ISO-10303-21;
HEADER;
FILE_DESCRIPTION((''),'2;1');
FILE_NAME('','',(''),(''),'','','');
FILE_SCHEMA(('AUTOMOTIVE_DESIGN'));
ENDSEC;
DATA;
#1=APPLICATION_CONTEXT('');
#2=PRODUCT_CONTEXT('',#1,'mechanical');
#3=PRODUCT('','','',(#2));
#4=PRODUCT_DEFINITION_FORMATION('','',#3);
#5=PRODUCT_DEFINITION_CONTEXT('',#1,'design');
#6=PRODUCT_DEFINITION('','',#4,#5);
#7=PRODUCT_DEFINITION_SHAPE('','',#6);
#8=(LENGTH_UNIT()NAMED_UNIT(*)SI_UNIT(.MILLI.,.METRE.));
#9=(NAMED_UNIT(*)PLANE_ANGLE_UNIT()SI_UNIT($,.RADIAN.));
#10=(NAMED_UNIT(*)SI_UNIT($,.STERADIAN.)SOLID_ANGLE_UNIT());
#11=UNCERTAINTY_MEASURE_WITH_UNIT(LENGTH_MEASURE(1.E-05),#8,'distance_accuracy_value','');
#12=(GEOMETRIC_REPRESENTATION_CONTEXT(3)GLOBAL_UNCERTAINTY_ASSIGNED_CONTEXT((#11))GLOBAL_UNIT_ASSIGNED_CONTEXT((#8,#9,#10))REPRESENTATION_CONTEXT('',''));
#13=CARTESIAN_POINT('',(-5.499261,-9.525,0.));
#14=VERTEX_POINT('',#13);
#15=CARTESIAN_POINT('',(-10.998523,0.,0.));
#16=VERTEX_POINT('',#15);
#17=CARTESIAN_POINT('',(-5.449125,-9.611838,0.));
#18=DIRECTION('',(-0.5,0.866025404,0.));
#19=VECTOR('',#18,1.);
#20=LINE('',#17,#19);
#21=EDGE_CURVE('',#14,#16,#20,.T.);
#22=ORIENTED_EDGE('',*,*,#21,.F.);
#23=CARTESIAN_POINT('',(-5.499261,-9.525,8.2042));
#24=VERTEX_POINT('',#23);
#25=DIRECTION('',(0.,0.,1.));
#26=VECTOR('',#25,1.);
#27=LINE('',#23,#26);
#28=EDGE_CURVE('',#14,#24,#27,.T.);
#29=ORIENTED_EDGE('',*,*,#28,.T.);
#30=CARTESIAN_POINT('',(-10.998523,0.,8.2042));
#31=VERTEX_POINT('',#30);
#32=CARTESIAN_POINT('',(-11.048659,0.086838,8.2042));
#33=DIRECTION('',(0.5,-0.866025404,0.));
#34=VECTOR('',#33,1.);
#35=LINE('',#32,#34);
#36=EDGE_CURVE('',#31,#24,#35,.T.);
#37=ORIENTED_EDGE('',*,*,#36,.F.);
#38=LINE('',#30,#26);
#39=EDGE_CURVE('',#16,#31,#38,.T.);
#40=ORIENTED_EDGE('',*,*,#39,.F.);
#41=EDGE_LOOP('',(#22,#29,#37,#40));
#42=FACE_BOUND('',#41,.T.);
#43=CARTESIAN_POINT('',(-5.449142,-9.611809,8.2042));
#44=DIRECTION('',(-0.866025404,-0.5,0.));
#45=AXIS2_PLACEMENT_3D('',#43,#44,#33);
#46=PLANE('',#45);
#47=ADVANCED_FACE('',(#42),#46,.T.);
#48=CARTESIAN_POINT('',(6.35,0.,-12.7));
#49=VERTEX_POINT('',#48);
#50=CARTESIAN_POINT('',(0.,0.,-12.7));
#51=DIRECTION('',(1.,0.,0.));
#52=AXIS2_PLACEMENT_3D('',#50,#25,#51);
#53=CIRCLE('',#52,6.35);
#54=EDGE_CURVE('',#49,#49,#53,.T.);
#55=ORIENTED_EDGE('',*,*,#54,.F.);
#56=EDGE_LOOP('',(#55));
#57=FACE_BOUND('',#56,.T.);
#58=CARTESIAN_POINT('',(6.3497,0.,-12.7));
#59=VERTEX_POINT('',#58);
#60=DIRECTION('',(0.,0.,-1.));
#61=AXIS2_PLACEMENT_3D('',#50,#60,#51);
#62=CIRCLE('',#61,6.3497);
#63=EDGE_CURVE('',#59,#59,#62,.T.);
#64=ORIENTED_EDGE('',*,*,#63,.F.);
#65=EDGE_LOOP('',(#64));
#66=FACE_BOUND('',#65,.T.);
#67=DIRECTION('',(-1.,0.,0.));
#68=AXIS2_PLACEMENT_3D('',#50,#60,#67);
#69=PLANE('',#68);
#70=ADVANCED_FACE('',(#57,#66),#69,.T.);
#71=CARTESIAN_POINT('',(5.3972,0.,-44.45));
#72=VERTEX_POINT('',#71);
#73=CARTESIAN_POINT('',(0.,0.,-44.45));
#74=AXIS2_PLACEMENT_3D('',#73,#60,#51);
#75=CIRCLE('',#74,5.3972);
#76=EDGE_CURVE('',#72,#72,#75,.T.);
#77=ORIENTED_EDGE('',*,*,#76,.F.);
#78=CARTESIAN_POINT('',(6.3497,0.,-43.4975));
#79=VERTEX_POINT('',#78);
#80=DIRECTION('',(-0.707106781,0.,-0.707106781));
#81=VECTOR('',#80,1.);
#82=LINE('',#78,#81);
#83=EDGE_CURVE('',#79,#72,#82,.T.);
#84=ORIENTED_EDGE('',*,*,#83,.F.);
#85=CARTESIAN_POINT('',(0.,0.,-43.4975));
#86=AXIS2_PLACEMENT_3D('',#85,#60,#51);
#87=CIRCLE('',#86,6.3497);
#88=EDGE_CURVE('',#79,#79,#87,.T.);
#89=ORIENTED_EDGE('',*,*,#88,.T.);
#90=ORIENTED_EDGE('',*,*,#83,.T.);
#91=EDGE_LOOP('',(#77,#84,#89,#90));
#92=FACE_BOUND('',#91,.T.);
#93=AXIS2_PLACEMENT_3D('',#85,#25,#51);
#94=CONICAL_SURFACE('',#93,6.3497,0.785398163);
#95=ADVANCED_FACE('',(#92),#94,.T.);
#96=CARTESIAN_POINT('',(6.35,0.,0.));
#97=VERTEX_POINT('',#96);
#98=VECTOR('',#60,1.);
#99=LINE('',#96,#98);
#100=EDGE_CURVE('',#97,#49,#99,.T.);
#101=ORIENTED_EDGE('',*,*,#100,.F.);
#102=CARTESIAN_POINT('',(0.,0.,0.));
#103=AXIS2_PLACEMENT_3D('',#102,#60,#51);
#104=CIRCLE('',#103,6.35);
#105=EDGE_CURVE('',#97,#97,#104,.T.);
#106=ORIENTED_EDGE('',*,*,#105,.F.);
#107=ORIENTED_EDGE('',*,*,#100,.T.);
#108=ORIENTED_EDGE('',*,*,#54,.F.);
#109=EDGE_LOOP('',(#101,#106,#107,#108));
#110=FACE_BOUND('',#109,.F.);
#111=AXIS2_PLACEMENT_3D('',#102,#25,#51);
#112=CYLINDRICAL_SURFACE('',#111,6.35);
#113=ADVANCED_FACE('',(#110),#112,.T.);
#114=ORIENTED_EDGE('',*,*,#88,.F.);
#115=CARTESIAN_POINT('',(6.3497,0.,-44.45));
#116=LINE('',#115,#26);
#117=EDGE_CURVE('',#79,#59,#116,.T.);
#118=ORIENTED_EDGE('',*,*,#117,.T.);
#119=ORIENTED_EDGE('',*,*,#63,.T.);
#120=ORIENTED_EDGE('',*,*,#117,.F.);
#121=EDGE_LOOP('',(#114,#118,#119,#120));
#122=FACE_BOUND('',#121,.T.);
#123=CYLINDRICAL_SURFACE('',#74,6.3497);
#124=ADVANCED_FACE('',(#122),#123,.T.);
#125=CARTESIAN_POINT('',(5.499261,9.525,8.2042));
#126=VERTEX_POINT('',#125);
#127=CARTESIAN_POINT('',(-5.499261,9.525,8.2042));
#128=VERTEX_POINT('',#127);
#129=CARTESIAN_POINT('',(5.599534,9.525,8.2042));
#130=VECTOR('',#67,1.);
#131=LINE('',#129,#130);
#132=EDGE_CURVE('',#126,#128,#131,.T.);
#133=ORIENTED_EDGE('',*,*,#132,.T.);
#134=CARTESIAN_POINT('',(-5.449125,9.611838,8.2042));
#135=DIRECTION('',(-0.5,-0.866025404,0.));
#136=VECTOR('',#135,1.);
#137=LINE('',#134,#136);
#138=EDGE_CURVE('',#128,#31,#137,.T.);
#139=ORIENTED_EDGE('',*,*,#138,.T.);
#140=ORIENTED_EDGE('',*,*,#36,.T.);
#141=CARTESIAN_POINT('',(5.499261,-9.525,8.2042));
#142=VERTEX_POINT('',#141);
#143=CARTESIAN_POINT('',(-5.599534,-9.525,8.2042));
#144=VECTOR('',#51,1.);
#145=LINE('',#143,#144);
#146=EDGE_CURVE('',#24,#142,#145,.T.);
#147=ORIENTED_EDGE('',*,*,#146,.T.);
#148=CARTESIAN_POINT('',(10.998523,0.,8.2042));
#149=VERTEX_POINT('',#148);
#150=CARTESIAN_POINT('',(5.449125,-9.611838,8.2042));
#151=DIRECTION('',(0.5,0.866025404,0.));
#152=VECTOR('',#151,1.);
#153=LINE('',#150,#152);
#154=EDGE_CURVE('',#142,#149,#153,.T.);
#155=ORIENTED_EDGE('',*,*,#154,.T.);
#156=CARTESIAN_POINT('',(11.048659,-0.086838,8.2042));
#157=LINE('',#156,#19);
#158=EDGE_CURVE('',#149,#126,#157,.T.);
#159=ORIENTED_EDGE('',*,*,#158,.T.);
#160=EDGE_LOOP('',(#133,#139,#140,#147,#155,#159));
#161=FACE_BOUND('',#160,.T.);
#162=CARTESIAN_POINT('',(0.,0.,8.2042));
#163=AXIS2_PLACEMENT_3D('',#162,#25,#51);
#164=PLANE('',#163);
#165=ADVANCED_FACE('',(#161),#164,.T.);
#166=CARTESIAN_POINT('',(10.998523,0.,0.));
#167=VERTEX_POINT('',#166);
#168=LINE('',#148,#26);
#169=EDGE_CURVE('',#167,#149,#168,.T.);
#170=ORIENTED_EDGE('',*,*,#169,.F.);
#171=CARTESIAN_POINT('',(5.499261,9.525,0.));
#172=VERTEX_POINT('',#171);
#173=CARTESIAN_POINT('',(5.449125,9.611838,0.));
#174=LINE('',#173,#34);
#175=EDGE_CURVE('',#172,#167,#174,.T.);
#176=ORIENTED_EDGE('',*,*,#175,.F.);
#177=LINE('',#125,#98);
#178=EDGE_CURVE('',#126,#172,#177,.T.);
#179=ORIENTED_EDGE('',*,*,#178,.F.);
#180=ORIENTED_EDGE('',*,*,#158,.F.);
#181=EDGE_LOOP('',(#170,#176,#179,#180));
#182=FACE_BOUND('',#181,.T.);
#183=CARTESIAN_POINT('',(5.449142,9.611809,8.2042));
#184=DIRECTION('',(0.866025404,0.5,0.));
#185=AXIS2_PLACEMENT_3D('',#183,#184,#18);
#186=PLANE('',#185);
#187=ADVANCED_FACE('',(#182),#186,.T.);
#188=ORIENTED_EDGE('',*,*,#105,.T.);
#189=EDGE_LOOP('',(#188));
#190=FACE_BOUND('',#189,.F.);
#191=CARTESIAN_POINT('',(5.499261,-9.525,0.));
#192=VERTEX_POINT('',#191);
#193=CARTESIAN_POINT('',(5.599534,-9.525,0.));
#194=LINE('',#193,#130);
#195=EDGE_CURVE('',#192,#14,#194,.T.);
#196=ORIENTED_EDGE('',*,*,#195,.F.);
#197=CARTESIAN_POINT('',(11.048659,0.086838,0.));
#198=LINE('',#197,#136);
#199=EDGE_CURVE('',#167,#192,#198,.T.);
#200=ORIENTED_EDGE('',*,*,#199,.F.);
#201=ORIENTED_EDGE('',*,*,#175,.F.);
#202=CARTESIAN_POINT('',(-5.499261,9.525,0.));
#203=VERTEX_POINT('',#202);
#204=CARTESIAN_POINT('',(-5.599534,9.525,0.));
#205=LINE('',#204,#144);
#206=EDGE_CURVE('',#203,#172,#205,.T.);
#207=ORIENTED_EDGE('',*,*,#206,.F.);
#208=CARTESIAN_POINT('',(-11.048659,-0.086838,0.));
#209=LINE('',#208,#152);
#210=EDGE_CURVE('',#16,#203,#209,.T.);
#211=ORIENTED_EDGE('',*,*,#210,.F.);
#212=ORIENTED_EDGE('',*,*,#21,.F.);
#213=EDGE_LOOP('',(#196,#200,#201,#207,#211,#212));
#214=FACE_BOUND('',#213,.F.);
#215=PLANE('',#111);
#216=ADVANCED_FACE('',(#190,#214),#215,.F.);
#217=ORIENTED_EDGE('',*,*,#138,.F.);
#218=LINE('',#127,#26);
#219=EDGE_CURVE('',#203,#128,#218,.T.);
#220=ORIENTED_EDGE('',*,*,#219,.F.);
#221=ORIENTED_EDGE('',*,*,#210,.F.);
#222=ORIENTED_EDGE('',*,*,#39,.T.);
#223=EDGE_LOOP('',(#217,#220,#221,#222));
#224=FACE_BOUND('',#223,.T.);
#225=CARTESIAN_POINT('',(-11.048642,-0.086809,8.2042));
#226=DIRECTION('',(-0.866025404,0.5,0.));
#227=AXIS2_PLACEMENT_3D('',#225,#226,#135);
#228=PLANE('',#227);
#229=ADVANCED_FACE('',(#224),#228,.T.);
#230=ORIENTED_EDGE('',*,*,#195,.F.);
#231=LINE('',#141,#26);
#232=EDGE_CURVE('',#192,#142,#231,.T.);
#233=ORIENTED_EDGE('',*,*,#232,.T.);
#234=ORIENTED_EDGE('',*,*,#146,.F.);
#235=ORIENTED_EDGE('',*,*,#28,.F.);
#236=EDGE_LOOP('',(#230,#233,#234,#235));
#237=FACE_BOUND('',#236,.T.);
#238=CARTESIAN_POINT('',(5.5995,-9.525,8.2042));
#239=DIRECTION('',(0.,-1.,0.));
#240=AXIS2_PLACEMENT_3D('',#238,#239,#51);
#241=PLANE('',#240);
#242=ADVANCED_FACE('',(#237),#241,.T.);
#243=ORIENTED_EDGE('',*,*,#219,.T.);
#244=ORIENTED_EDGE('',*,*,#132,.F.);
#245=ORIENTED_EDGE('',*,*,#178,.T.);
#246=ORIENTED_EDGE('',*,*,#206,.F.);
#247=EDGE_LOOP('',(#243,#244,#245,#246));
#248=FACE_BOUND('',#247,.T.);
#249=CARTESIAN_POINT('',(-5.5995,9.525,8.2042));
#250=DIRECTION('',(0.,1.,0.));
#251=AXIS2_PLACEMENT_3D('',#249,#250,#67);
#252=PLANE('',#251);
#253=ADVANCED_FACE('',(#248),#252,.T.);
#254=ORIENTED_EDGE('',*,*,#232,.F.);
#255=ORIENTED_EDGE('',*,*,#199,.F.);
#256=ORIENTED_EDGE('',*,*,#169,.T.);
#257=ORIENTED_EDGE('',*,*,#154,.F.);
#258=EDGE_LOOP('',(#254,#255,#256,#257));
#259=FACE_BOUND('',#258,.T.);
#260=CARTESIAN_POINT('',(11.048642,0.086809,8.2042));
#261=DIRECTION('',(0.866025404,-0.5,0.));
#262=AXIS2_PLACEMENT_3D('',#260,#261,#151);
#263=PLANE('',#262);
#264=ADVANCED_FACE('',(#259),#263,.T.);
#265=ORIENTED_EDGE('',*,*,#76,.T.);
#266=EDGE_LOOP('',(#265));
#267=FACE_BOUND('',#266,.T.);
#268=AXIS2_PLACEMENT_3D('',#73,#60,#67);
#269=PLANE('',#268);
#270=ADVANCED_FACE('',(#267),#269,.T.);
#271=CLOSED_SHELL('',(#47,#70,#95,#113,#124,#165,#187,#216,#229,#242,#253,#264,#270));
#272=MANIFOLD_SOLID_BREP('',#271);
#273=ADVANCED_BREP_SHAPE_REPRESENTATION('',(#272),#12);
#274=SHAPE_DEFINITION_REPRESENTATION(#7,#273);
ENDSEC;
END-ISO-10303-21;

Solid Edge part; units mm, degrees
sketch "Sketch1" plane through (0, 0, 0) normal (0, 0, 1) x (1, 0, 0)
  circle A0 centre (0, 0) radius 11.049
  dimension "D1" = 22.098
extrude "Protrusion1" add sketch "Sketch1" along normal blind 8.2042
sketch "Sketch2" plane through (0, 0, 0) normal (0, 0, -1) x (1, 0, 0)
  circle A0 centre (0, 0) radius 6.35
extrude "Protrusion2" add sketch "Sketch2" along normal blind 44.45
sketch "Sketch3" plane through (0, 0, -44.45) normal (0, 0, -1) x (1, 0, 0)
  circle A0 centre (0, 0) radius 6.3497
extrude "Cutout1" cut sketch "Sketch3" against normal blind 31.75 flip side to cut
chamfer "Chamfer_1" distance 0.9525 angle 45 1 edges at (-6.3497, 0, -44.45)
sketch "Sketch4" plane through (0, 0, 8.2042) normal (0, 0, 1) x (1, 0, 0)
  line L0 (-5.5995, 9.525) -> (5.5995, 9.525)
  dimension "D1" = 19.05
extrude "Cutout2" cut sketch "Sketch4" against normal up to next material side at (0, 9.575, 8.2042)
pattern_circular "Pattern1" count 6 over 360 about axis through (0, 0, 8.2042) along (0, 0, 1) of "Cutout2"
properties part number "24100102"
